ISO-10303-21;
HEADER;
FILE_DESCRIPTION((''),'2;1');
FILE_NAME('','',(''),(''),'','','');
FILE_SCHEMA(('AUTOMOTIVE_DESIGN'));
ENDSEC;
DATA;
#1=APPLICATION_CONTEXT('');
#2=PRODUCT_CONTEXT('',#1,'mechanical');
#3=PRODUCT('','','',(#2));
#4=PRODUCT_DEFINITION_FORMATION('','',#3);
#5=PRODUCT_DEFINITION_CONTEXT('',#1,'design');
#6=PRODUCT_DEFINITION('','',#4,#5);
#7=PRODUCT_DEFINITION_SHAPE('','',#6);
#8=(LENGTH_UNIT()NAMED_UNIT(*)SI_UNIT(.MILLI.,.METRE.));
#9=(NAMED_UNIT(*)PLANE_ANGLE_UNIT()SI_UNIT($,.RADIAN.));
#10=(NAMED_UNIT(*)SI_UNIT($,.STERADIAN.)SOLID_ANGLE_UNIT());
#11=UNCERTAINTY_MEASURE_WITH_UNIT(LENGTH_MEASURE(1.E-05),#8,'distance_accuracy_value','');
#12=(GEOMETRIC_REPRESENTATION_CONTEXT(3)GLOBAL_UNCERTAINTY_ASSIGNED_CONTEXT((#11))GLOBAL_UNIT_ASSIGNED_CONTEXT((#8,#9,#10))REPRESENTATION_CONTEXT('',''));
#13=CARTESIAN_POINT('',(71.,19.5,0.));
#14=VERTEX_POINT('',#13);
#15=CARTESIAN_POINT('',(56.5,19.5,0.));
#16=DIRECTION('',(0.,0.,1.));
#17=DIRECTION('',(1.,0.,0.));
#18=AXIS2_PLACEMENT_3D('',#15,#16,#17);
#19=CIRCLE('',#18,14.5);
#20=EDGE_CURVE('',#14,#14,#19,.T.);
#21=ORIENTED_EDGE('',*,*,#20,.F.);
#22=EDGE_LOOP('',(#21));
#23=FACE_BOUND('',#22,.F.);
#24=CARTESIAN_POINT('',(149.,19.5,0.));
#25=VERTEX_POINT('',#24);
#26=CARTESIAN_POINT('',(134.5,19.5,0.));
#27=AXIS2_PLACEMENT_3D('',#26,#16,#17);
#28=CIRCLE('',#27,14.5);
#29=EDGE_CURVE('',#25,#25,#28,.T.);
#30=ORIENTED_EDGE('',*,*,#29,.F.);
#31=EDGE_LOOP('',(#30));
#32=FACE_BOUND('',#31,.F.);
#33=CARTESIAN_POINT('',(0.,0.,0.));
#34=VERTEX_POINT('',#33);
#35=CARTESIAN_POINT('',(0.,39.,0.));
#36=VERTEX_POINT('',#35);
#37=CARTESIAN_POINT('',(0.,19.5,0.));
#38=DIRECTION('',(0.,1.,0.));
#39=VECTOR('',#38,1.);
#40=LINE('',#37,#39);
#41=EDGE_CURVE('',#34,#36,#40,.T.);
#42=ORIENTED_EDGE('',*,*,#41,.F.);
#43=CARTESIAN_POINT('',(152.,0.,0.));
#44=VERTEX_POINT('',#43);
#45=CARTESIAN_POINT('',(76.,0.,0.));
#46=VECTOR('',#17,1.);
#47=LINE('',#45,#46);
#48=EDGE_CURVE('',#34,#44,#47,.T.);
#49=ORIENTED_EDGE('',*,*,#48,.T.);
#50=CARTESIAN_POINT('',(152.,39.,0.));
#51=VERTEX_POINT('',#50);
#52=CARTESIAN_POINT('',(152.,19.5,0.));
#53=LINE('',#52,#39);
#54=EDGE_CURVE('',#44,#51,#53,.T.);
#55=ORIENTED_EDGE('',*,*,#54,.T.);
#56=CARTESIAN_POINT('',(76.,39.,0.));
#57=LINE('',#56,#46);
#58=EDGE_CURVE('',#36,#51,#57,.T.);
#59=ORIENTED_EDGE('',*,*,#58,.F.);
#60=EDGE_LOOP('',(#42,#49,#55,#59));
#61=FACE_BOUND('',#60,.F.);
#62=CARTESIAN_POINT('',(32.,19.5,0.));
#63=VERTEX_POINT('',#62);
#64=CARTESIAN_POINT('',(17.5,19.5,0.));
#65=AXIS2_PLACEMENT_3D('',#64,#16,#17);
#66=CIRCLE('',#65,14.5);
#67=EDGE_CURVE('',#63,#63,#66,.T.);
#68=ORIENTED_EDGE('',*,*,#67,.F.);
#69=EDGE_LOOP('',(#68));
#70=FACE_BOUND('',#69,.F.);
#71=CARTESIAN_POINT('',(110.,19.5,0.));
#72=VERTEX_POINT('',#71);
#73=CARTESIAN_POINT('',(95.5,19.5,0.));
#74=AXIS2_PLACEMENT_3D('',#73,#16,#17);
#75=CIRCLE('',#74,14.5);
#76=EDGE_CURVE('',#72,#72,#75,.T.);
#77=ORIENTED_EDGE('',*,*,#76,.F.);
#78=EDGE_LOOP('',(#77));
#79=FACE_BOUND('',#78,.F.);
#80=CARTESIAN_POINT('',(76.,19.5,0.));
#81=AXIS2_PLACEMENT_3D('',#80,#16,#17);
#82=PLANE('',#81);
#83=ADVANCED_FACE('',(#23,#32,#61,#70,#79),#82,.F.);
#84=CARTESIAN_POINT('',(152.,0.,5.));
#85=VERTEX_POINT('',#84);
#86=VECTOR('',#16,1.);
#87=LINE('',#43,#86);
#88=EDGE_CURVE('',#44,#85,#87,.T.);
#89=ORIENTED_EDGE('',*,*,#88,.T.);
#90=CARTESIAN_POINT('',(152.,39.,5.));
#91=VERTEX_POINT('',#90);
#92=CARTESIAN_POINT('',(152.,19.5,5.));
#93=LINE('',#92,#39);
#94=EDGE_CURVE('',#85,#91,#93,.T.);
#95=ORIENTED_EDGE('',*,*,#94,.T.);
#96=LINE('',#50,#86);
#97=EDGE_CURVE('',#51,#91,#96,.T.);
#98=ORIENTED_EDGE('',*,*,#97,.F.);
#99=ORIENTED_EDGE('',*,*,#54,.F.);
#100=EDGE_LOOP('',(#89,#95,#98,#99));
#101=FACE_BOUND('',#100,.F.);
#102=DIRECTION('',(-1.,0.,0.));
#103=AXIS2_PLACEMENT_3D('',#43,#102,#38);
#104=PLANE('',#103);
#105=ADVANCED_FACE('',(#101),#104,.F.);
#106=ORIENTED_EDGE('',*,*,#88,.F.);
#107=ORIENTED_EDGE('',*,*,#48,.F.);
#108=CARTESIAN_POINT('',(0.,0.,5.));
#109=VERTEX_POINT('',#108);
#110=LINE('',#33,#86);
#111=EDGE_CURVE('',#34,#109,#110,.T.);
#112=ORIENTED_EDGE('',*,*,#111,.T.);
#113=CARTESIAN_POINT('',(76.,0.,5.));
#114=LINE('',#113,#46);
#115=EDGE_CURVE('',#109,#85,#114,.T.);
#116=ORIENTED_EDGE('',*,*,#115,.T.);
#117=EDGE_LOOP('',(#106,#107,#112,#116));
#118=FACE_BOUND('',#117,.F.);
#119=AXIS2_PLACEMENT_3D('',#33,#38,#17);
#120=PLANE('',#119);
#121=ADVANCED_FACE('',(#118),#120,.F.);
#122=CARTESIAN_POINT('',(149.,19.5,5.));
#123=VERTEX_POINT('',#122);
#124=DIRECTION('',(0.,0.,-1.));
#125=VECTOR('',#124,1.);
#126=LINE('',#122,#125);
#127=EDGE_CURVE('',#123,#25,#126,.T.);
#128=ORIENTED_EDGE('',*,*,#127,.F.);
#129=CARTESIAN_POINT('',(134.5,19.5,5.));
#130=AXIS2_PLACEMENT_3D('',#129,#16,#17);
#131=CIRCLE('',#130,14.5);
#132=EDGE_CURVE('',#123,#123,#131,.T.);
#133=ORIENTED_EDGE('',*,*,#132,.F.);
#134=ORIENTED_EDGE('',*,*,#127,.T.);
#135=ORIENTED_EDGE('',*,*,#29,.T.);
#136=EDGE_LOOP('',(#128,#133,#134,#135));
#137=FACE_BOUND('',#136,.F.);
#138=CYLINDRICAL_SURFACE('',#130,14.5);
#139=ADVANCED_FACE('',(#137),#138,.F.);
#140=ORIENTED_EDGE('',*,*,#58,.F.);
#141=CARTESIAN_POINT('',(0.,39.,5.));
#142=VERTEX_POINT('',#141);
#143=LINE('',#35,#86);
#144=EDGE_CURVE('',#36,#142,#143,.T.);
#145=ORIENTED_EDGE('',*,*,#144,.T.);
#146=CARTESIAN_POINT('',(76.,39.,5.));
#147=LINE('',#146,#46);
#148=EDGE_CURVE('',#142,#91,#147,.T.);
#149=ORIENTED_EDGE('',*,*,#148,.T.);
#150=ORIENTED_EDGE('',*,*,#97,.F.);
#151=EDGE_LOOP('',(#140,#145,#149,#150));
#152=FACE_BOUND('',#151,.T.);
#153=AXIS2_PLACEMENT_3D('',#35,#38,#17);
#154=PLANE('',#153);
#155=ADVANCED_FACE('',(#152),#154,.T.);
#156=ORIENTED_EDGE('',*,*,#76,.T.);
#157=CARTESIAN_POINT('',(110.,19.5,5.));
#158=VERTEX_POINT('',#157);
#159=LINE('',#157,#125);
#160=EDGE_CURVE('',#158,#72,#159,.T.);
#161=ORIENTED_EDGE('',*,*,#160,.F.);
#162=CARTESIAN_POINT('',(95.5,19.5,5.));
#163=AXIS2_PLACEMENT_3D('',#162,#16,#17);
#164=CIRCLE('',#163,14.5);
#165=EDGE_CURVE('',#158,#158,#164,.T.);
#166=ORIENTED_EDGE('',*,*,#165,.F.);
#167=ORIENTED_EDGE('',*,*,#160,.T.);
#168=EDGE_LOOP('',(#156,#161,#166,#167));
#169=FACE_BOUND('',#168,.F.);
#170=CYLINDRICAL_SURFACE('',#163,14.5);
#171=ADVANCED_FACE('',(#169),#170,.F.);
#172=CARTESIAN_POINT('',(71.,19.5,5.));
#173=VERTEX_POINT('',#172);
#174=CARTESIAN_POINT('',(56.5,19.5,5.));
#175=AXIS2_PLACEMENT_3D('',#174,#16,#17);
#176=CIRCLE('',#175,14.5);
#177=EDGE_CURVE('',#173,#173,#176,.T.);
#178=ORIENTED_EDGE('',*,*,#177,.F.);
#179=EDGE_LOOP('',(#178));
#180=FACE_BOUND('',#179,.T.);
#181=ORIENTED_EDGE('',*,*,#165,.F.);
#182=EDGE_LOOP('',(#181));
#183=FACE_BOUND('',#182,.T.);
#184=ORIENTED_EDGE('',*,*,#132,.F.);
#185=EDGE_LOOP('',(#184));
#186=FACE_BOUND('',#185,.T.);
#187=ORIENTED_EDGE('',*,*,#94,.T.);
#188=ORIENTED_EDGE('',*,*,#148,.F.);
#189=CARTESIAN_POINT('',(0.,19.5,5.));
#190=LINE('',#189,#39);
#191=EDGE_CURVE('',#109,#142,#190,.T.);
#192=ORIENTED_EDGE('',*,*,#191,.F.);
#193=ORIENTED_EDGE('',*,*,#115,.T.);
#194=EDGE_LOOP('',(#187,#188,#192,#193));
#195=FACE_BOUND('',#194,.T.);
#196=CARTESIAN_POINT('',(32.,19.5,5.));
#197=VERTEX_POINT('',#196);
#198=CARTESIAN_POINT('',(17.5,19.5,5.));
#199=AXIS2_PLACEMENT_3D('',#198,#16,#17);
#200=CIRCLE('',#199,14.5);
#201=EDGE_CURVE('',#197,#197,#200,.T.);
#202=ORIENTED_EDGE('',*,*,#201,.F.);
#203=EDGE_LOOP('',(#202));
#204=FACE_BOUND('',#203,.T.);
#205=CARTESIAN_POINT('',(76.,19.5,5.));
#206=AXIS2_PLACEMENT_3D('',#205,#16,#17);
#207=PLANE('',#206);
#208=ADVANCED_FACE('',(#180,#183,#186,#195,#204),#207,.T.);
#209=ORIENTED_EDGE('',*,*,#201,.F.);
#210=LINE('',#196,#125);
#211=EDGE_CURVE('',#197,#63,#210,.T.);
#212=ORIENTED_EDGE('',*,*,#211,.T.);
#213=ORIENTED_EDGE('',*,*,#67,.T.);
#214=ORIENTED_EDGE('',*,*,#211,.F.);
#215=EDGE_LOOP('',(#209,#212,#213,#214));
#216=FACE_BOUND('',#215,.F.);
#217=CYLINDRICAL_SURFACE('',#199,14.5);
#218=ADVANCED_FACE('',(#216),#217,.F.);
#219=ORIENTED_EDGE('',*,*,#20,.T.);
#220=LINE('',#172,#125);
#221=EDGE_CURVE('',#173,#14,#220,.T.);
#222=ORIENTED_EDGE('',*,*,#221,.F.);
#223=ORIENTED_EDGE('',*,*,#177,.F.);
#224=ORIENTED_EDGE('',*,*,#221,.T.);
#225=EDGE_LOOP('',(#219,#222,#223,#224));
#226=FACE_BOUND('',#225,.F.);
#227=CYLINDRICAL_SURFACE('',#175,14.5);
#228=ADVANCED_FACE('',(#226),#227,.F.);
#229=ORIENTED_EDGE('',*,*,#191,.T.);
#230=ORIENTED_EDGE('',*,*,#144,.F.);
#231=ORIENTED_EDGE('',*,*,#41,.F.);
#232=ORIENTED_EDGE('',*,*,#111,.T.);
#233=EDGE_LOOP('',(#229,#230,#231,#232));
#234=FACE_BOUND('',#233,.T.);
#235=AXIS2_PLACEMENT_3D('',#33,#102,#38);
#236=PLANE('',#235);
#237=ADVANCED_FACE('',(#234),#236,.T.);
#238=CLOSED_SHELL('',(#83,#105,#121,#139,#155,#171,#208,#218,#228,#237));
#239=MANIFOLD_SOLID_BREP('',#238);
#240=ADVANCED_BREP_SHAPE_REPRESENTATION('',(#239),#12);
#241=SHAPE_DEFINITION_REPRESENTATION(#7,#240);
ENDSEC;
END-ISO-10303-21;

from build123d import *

# Parameters (mm, degrees)
SKETCH_W            = 152
SKETCH_H            = 39
PAD_DEPTH           = 5
SKETCH001_R         = 14.5
POCKET_DEPTH        = 5
LINEARPATTERN_COUNT = 4
LINEARPATTERN_PITCH = 39


with BuildPart() as part:
    # Sketch → Pad (new body)
    with BuildSketch(Plane.XY):
        with Locations((76, 19.5)):
            Rectangle(SKETCH_W, SKETCH_H)
    extrude(amount=PAD_DEPTH)

    # Sketch001 → Pocket (cut)
    with BuildSketch(Plane.XY.offset(5)):
        with Locations((17.5, 19.5)):
            Circle(SKETCH001_R)
    pocket = extrude(amount=-POCKET_DEPTH, mode=Mode.SUBTRACT)

    # LinearPattern: Pocket ×4
    with Locations(*[(i * LINEARPATTERN_PITCH, 0, 0) for i in range(1, LINEARPATTERN_COUNT)]):
        add(pocket, mode=Mode.SUBTRACT)


solid = part.part
